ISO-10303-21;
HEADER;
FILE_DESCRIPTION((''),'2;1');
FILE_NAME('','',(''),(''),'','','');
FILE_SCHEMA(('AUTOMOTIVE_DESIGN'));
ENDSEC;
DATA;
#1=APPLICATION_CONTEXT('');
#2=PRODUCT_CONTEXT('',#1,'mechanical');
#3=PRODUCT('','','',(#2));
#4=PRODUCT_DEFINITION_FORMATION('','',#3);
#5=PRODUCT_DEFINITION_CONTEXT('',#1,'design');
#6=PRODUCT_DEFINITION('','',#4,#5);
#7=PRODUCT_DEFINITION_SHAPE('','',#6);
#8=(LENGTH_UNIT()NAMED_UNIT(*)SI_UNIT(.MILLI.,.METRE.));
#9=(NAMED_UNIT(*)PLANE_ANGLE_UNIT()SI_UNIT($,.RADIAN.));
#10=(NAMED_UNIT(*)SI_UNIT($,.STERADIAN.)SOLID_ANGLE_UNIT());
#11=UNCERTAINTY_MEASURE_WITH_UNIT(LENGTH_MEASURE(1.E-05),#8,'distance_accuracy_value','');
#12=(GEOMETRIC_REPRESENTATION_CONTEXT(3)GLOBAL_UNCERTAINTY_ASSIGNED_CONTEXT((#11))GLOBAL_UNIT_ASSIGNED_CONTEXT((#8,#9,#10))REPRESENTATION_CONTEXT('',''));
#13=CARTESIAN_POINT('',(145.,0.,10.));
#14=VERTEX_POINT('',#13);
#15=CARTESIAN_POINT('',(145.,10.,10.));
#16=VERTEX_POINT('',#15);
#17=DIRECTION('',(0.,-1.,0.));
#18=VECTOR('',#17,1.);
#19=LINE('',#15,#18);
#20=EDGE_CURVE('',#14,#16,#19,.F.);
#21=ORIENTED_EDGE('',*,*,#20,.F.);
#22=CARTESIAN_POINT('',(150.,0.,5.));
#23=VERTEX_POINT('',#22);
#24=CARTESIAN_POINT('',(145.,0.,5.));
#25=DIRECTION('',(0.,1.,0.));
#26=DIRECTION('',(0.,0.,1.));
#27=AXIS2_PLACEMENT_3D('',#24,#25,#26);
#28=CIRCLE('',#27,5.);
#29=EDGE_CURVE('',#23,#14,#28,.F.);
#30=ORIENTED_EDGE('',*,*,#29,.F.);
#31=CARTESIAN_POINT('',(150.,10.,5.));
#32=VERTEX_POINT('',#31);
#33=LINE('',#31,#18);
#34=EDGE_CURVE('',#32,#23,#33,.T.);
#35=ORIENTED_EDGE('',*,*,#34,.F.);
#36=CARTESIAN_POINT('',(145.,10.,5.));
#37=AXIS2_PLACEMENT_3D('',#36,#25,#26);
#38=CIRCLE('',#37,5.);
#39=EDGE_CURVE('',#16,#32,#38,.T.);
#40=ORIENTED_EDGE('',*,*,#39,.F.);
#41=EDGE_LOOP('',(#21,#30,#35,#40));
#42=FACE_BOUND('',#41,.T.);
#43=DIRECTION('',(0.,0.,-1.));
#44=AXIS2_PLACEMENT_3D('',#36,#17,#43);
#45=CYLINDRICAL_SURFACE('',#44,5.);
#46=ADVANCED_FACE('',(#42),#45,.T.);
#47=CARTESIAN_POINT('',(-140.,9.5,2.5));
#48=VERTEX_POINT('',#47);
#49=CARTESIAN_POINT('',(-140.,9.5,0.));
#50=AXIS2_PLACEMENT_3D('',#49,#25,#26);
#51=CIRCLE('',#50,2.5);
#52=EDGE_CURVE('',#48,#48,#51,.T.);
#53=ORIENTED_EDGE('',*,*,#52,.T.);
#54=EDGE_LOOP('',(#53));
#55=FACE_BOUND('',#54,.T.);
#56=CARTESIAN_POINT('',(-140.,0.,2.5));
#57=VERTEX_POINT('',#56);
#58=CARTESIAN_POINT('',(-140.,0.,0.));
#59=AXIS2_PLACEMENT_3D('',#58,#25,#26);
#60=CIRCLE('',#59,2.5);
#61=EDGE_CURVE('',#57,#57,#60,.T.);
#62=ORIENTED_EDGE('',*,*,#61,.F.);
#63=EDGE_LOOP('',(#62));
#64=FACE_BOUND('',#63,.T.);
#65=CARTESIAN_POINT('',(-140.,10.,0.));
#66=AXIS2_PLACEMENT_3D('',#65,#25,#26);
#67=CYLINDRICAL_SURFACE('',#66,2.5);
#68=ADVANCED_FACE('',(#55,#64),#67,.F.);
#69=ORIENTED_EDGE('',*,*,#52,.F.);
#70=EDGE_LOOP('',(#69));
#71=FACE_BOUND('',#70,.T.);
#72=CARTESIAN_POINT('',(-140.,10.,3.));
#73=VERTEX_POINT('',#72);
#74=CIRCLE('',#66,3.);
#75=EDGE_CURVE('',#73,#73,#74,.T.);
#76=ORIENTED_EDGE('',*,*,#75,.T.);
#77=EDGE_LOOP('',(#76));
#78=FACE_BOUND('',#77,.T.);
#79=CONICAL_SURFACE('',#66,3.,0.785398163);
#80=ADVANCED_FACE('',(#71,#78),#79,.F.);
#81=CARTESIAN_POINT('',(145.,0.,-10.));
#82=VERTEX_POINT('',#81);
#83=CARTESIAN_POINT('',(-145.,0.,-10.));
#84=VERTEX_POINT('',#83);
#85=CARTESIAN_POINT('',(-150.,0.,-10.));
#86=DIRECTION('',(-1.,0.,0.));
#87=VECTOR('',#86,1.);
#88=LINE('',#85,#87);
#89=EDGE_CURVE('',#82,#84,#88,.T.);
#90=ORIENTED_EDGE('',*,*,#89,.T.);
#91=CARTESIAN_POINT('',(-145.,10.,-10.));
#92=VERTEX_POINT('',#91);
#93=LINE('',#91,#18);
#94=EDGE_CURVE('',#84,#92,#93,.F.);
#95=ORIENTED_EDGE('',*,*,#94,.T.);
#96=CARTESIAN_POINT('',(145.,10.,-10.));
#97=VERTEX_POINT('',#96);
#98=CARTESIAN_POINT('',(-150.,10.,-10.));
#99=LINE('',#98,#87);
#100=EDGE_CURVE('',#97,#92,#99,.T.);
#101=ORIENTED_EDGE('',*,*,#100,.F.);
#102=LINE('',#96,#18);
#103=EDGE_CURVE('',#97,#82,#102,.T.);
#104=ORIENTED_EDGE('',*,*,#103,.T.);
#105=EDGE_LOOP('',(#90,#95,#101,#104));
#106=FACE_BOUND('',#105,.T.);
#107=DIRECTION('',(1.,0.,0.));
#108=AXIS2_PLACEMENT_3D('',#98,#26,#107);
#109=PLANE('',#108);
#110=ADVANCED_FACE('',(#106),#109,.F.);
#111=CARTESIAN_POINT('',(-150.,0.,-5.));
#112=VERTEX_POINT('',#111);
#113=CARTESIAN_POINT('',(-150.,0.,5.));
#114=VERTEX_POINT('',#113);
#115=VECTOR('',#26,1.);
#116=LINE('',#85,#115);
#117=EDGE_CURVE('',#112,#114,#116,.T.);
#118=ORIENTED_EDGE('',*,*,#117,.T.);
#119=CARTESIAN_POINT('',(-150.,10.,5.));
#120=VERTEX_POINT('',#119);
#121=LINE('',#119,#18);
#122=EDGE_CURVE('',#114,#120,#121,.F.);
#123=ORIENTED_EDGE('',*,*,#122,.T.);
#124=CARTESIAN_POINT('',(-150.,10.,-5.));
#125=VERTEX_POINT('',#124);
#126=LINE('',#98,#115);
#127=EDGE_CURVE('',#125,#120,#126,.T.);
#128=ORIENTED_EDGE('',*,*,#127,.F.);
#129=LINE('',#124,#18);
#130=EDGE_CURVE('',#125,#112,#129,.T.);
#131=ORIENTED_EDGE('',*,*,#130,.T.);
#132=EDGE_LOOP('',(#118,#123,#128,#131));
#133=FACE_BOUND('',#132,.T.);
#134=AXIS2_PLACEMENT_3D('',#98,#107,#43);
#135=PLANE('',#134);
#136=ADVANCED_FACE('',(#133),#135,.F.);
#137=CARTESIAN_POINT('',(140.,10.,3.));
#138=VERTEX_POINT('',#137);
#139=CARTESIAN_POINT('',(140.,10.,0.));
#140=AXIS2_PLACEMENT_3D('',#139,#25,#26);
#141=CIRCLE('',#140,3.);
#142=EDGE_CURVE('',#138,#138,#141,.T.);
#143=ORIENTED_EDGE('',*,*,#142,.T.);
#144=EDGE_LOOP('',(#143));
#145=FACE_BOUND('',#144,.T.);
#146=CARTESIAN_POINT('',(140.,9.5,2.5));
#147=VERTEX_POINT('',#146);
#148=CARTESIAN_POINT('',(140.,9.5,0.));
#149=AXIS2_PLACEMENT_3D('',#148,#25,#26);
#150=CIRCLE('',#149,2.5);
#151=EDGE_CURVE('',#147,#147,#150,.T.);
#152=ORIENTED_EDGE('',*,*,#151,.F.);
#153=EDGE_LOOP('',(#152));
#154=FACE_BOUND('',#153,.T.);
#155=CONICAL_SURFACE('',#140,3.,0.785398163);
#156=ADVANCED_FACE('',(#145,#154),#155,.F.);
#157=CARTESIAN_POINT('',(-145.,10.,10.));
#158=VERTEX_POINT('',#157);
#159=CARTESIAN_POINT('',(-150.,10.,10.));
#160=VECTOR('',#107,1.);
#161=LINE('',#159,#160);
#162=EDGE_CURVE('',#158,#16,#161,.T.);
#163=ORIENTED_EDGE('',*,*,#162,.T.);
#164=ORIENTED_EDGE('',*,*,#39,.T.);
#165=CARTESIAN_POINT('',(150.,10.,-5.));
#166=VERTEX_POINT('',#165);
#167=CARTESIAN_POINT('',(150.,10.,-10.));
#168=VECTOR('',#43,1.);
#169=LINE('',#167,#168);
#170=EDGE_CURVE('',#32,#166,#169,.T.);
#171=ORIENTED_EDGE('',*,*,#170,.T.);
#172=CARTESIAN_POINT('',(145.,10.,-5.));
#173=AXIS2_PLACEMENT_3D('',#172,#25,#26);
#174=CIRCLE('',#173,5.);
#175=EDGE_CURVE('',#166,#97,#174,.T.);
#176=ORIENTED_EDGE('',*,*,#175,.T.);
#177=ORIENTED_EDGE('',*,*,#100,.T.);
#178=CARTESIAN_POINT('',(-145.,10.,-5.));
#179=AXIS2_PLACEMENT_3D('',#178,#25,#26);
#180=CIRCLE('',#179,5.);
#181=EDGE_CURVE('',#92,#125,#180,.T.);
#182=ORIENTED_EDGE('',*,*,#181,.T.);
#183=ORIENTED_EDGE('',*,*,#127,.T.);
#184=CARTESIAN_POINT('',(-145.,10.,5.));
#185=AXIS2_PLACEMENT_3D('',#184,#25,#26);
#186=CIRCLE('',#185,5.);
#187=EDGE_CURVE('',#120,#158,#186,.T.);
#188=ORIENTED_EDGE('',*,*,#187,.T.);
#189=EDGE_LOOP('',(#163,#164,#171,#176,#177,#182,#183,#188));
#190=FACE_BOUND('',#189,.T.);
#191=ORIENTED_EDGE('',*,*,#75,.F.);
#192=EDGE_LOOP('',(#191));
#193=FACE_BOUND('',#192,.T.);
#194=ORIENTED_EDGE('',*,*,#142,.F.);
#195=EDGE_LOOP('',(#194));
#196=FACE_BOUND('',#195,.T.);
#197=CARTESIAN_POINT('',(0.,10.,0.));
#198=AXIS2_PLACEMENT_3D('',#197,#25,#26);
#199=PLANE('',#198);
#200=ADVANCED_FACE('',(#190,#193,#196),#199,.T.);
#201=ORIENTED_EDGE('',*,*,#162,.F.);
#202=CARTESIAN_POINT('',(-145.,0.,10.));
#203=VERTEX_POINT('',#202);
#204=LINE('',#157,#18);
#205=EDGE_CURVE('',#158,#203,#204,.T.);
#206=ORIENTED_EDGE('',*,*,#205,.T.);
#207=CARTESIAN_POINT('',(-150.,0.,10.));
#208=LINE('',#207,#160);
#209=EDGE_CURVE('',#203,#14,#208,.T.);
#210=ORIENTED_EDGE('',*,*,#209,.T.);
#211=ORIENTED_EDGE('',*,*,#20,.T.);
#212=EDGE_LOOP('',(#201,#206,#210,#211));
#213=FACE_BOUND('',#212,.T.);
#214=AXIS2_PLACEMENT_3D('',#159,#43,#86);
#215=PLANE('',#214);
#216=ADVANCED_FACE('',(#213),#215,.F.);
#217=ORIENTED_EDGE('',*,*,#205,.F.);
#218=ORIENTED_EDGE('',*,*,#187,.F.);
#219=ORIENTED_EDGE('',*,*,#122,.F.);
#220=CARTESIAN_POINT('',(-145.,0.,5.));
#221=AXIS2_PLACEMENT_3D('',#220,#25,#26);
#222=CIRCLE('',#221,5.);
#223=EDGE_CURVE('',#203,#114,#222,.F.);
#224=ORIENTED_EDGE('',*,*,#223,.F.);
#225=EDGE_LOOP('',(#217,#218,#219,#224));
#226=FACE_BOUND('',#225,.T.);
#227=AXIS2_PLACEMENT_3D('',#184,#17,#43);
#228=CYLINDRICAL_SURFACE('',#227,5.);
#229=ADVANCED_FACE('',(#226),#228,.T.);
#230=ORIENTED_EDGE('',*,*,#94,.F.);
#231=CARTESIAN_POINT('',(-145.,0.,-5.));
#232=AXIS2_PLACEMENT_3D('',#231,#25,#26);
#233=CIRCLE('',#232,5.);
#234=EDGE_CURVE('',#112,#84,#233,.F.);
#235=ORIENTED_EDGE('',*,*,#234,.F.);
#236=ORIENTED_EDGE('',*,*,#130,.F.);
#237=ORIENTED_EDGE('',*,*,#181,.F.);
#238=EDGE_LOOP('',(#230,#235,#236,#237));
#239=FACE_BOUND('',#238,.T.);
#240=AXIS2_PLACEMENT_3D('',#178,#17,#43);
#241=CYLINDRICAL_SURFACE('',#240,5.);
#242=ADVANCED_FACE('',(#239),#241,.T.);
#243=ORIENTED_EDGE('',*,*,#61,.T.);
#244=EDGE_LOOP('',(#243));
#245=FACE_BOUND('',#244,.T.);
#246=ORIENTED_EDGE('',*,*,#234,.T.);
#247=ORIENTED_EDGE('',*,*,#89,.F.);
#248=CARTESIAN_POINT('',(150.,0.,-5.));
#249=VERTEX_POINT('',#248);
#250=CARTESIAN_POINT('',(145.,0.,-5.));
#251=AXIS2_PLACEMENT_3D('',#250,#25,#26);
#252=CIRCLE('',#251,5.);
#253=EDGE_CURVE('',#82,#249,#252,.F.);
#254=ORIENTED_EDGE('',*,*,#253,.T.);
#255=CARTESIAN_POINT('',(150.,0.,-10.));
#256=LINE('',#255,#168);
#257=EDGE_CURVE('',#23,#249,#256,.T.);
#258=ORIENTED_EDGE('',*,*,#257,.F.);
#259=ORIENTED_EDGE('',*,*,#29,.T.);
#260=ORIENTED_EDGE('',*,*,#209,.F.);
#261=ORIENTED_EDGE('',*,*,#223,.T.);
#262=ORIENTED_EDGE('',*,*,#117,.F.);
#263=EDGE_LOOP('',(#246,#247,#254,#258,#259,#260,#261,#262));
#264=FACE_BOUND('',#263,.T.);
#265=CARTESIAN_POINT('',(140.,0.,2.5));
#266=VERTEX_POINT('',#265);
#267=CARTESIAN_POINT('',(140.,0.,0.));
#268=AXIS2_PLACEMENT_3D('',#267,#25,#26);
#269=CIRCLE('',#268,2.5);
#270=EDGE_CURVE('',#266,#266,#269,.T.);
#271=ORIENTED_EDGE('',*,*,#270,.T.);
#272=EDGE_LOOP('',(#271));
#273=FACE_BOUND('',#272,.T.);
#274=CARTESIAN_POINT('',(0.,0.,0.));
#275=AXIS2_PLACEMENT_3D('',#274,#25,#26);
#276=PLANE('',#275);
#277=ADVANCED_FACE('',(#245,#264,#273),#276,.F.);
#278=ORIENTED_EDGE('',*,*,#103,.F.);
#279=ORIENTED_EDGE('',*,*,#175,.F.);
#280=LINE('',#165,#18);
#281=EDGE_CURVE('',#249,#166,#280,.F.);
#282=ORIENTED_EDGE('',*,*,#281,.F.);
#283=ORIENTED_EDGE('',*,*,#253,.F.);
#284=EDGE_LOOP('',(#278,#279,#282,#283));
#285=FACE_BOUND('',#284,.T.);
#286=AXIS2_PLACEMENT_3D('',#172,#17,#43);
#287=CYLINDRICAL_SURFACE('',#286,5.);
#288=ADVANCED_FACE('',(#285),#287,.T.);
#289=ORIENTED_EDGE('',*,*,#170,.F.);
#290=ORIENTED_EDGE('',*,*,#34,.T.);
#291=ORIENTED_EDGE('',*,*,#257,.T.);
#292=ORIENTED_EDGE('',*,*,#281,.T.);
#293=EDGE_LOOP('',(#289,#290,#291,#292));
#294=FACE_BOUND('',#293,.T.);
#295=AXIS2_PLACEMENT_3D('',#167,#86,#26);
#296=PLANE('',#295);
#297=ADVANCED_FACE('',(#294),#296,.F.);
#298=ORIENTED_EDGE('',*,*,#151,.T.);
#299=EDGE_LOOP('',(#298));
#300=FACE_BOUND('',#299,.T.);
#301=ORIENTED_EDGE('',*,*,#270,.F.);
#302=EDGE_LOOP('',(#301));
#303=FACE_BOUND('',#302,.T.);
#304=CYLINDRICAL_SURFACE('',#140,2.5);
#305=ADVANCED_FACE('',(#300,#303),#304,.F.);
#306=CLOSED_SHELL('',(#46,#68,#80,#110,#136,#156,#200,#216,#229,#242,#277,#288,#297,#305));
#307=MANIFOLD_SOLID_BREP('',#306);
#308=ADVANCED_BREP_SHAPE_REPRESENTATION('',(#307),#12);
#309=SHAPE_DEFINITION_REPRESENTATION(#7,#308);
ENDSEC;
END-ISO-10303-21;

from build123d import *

# Parameters (mm, degrees)
SCHIZZO1_W                      = 300
SCHIZZO1_H                      = 20
ESTRUSIONE_ESTRUSIONE1_DEPTH    = 10
FORO_FILETTATO_M6_5_D           = 5
FORO_FILETTATO_M6_5_CSINK_D     = 6
FORO_FILETTATO_M6_5_CSINK_ANGLE = 90
RACCORDO1_R                     = 5


with BuildPart() as part:
    # Schizzo1 → Estrusione-Estrusione1 (new body)
    with BuildSketch(Plane(origin=(0, 0, 0), x_dir=(1, 0, 0), z_dir=(0, 1, 0))):
        Rectangle(SCHIZZO1_W, SCHIZZO1_H)
    extrude(amount=ESTRUSIONE_ESTRUSIONE1_DEPTH)

    # Foro filettato M6-5 (through all)
    with Locations(Plane(origin=(0, 10, 0), x_dir=(1, 0, 0), z_dir=(0, 1, 0))):
        with Locations((-140, 0), (140, 0)):
            CounterSinkHole(FORO_FILETTATO_M6_5_D / 2, FORO_FILETTATO_M6_5_CSINK_D / 2, counter_sink_angle=FORO_FILETTATO_M6_5_CSINK_ANGLE)

    # Raccordo1
    raccordo1_edges = [part.edges().sort_by_distance(p)[0] for p in [
        (150, 5, 10),
        (-150, 5, 10),
        (-150, 5, -10),
        (150, 5, -10),
    ]]
    fillet(raccordo1_edges, radius=RACCORDO1_R)


solid = part.part
